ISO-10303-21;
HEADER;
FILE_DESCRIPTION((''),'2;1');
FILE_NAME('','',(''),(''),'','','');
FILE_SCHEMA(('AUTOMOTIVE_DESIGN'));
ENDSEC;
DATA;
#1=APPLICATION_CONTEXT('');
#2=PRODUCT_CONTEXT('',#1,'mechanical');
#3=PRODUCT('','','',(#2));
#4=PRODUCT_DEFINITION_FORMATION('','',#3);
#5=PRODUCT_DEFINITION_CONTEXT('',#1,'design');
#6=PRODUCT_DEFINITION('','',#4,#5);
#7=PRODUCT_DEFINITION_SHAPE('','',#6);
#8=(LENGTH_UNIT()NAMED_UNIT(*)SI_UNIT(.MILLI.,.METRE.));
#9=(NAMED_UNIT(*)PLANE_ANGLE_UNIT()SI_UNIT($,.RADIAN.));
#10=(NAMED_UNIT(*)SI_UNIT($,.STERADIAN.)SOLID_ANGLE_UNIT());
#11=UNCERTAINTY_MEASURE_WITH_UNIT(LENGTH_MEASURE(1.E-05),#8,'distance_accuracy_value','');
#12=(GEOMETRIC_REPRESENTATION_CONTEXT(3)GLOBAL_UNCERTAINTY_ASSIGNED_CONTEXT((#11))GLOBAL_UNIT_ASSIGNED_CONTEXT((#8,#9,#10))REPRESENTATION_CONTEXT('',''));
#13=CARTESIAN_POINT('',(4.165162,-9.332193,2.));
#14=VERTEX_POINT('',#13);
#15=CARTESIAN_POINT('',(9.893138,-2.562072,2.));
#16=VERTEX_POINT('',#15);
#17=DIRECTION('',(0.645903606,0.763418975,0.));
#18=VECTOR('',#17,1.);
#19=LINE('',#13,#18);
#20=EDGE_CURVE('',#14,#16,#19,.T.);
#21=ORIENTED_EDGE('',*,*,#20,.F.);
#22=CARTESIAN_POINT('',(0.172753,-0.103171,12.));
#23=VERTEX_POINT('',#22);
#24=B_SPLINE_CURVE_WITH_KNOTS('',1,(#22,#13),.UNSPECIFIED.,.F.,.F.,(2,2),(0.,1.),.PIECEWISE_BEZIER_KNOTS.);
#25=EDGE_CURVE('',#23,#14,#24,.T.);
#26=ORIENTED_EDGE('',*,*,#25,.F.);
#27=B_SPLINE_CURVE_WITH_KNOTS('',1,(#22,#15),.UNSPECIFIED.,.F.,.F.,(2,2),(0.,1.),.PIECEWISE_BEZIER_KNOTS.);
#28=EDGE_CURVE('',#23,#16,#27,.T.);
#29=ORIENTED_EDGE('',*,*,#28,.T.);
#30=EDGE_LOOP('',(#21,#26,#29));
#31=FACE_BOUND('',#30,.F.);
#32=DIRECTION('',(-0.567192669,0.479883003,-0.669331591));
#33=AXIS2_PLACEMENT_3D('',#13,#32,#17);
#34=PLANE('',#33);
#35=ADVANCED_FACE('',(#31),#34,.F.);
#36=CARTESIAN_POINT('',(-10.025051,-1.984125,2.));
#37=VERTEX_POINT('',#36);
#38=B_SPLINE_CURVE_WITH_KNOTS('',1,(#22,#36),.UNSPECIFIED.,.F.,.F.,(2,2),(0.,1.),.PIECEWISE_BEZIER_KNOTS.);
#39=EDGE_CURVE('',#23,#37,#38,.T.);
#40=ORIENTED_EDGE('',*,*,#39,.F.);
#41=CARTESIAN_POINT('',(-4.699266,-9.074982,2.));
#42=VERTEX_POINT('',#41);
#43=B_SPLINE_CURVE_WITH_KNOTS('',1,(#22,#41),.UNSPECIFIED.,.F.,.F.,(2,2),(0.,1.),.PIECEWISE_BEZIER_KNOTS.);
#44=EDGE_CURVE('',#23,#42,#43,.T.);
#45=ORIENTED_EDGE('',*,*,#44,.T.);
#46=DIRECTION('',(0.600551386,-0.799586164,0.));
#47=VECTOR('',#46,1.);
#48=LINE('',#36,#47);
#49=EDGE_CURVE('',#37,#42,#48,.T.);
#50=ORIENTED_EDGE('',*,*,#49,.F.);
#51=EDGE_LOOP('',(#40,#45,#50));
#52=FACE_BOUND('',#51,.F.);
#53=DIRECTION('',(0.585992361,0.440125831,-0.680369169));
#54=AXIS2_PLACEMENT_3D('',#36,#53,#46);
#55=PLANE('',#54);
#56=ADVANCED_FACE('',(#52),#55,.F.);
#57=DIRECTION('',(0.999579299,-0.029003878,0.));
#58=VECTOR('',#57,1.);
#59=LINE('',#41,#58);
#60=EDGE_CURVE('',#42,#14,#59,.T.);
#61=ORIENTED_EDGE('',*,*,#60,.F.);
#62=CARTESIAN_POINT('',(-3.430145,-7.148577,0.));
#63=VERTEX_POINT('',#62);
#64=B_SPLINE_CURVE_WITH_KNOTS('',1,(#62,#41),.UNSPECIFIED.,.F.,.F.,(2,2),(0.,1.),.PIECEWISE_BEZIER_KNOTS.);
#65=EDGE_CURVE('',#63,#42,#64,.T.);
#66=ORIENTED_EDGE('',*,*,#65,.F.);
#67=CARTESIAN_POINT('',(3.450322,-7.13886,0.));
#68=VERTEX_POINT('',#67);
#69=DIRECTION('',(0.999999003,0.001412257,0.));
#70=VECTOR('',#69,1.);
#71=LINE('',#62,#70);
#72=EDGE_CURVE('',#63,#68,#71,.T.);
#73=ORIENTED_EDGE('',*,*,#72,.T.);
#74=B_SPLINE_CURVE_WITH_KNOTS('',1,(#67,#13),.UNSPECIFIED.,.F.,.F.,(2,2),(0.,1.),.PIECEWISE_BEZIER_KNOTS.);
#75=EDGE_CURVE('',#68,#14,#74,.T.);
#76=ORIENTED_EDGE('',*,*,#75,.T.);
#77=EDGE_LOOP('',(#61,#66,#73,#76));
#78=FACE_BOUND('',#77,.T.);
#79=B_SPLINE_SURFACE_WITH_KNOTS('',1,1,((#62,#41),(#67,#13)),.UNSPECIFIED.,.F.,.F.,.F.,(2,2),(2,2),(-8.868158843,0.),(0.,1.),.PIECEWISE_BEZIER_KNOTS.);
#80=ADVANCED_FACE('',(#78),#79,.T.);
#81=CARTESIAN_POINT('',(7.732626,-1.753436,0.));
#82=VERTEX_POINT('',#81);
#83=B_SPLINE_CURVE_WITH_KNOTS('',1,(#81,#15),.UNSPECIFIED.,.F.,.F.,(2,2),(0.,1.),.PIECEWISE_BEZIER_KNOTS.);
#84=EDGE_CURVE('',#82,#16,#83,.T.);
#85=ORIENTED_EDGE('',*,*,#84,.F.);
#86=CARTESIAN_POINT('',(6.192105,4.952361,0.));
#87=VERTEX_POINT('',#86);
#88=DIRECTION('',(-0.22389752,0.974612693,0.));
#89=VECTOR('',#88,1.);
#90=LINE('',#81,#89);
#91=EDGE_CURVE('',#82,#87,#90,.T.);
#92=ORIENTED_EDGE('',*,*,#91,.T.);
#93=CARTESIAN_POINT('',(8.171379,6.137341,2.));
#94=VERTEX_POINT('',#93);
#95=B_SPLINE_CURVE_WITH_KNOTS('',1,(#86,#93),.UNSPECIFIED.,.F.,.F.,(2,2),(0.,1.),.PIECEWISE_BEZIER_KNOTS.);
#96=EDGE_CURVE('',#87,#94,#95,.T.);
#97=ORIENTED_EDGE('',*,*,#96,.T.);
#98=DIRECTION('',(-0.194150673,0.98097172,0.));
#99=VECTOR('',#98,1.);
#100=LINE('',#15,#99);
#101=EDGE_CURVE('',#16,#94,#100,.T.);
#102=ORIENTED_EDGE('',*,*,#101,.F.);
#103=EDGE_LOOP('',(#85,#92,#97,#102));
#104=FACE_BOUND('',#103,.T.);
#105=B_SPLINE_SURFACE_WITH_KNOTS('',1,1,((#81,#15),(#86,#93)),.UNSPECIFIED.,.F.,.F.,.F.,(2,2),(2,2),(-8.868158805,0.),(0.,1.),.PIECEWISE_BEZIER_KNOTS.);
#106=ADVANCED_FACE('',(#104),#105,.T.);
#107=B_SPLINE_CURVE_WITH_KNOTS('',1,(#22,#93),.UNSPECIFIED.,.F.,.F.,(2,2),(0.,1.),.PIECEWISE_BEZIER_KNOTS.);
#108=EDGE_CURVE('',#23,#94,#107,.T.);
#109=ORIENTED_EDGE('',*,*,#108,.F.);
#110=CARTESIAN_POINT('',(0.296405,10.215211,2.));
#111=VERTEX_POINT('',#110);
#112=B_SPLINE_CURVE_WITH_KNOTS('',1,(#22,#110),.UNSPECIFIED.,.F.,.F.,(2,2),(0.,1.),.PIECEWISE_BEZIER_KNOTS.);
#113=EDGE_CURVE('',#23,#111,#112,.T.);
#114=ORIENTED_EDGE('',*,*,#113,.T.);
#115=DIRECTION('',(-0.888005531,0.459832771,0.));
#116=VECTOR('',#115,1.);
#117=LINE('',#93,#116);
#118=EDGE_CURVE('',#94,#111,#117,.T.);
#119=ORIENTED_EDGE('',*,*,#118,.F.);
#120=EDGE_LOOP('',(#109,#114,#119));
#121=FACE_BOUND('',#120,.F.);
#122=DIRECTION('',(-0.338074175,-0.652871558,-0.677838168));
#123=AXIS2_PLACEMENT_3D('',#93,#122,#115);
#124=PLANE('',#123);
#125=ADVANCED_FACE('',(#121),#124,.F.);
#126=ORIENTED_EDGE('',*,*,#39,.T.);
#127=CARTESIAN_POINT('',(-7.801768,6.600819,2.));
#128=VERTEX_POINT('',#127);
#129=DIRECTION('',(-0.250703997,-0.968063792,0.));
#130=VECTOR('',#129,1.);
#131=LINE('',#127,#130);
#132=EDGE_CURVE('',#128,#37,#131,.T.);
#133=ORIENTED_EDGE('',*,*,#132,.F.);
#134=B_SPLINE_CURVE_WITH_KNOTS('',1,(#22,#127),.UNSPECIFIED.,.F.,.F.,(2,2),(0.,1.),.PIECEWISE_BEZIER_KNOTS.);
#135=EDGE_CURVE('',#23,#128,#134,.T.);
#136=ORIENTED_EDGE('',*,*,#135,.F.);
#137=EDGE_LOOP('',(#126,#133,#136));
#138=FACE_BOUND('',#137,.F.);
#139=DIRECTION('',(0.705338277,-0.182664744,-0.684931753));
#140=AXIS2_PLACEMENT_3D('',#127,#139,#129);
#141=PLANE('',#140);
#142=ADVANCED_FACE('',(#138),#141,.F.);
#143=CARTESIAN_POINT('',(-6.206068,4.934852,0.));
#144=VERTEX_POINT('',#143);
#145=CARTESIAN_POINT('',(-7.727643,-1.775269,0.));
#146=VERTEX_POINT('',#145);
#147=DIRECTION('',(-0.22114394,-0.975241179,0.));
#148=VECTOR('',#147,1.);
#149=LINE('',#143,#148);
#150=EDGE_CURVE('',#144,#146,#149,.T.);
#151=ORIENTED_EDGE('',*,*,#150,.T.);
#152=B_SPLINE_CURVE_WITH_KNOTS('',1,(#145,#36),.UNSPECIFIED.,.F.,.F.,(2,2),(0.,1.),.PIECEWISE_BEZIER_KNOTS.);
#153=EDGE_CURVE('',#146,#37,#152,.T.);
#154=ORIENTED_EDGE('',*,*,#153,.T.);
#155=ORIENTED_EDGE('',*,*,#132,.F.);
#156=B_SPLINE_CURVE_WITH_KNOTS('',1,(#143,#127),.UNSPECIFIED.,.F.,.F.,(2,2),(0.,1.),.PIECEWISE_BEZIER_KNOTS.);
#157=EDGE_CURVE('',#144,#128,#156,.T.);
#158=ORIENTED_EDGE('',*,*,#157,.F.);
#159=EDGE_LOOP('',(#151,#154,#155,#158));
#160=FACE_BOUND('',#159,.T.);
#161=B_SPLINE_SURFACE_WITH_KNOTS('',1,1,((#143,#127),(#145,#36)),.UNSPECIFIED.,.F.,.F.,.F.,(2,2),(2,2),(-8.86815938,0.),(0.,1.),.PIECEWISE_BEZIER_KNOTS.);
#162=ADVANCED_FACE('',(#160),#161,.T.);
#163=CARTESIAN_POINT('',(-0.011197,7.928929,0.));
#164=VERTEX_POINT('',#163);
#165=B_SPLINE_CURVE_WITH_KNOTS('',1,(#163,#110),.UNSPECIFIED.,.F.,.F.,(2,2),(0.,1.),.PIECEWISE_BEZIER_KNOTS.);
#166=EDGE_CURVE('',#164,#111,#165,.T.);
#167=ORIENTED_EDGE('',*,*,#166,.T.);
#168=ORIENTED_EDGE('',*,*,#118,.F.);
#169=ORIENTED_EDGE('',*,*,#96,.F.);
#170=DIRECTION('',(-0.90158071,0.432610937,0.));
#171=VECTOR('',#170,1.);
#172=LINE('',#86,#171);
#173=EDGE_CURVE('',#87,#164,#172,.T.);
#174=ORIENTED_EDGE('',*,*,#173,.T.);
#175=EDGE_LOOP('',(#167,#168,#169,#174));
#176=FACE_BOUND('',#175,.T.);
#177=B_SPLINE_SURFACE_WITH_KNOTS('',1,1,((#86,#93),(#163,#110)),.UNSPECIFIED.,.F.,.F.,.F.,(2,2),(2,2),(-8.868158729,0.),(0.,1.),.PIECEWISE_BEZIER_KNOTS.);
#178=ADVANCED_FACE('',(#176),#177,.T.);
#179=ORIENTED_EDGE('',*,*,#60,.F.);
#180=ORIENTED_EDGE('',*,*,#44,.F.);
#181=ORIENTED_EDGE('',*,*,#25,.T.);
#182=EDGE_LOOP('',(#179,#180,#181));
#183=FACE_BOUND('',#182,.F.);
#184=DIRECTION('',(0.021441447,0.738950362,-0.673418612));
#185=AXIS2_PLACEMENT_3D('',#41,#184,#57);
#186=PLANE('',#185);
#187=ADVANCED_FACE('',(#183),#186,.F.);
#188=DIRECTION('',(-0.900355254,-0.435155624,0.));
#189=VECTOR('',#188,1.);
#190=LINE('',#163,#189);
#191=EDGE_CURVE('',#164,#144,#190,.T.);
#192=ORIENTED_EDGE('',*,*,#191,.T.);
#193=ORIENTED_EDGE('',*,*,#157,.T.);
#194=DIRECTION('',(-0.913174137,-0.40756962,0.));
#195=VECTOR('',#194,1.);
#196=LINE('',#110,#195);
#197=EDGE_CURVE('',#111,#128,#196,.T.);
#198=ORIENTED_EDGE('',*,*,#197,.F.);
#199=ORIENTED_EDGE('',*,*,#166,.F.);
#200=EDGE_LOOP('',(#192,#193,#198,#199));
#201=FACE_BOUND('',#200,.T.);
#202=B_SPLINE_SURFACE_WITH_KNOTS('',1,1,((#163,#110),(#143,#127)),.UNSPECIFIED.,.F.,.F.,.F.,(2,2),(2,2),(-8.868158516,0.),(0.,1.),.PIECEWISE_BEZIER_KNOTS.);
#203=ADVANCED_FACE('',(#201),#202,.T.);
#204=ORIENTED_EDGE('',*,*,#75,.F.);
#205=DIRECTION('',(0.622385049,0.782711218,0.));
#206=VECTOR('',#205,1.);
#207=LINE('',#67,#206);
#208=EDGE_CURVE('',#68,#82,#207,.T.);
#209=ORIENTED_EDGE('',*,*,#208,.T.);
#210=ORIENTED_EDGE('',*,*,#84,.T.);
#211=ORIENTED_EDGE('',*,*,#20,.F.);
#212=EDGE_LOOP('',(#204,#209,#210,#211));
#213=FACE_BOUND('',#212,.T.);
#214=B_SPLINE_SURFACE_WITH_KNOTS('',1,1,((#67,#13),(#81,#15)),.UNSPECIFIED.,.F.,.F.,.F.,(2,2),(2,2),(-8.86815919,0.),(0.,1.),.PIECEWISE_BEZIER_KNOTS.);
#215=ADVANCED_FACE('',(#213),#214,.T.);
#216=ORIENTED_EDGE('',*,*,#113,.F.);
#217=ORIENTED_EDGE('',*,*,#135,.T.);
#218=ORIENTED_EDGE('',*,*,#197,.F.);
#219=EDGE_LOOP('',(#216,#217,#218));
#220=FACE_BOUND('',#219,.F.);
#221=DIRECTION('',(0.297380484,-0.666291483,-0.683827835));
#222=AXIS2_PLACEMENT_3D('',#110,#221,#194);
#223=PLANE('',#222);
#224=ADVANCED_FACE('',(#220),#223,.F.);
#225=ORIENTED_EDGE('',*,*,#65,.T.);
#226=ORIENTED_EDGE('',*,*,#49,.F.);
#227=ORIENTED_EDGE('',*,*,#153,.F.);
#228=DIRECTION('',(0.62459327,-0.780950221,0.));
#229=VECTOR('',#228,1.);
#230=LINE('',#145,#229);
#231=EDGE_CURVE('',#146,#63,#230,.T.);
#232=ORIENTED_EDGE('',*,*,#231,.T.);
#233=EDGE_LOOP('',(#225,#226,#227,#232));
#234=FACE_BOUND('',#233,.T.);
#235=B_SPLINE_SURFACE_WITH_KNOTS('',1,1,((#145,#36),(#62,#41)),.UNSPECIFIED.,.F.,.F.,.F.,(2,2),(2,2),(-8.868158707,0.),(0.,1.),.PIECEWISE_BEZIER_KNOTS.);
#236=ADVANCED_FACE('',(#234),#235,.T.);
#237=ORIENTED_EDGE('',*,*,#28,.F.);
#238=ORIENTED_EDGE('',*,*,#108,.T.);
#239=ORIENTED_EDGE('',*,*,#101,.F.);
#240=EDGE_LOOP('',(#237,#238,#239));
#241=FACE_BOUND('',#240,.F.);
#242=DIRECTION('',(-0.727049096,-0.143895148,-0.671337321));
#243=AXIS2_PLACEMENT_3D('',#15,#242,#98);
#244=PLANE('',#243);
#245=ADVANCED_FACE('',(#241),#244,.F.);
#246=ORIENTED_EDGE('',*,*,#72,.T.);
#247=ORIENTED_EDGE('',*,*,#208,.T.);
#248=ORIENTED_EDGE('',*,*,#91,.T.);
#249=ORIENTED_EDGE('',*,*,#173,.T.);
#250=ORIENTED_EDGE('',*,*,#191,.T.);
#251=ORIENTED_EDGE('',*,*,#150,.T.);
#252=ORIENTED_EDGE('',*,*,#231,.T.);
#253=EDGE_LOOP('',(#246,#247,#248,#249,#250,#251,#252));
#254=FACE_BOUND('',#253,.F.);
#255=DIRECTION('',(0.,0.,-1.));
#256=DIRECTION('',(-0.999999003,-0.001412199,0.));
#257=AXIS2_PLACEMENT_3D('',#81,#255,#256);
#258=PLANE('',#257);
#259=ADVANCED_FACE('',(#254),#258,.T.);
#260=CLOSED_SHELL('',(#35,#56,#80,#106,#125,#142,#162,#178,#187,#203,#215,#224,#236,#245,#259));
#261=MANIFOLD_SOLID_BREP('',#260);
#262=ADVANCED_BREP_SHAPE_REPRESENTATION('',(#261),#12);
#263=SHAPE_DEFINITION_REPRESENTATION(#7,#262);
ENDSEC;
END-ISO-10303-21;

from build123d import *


with BuildPart() as f5:
    # F2 (on offset) → F5 section 0
    with BuildSketch(Plane.XY.offset(2), mode=Mode.PRIVATE) as f5_s0:
        Polygon((9.893138, -2.562072), (8.171379, 6.137341), (0.296405, 10.215211), (-7.801768, 6.600819), (-10.025051, -1.984125), (-4.699266, -9.074982), (4.165162, -9.332193), align=None)
    loft([Vertex(0.172753, -0.103171, 12), f5_s0.sketch])

    # F0 (on Top) → F6 section 0
    with BuildSketch(Plane.XY):
        Polygon((7.732626, -1.753436), (6.192105, 4.952361), (-0.011197, 7.928929), (-6.206068, 4.934852), (-7.727643, -1.775269), (-3.430145, -7.148577), (3.450322, -7.13886), align=None)
    # F5_face (on face) → F6 section 1
    with BuildSketch(Plane(origin=(0, 0, 2), x_dir=(1, 0, 0), z_dir=(0, 0, -1))):
        Polygon((9.893138, 2.562072), (4.165162, 9.332193), (-4.699266, 9.074982), (-10.025051, 1.984125), (-7.801768, -6.600819), (0.296405, -10.215211), (8.171379, -6.137341), align=None)
    loft()


solid = f5.part
